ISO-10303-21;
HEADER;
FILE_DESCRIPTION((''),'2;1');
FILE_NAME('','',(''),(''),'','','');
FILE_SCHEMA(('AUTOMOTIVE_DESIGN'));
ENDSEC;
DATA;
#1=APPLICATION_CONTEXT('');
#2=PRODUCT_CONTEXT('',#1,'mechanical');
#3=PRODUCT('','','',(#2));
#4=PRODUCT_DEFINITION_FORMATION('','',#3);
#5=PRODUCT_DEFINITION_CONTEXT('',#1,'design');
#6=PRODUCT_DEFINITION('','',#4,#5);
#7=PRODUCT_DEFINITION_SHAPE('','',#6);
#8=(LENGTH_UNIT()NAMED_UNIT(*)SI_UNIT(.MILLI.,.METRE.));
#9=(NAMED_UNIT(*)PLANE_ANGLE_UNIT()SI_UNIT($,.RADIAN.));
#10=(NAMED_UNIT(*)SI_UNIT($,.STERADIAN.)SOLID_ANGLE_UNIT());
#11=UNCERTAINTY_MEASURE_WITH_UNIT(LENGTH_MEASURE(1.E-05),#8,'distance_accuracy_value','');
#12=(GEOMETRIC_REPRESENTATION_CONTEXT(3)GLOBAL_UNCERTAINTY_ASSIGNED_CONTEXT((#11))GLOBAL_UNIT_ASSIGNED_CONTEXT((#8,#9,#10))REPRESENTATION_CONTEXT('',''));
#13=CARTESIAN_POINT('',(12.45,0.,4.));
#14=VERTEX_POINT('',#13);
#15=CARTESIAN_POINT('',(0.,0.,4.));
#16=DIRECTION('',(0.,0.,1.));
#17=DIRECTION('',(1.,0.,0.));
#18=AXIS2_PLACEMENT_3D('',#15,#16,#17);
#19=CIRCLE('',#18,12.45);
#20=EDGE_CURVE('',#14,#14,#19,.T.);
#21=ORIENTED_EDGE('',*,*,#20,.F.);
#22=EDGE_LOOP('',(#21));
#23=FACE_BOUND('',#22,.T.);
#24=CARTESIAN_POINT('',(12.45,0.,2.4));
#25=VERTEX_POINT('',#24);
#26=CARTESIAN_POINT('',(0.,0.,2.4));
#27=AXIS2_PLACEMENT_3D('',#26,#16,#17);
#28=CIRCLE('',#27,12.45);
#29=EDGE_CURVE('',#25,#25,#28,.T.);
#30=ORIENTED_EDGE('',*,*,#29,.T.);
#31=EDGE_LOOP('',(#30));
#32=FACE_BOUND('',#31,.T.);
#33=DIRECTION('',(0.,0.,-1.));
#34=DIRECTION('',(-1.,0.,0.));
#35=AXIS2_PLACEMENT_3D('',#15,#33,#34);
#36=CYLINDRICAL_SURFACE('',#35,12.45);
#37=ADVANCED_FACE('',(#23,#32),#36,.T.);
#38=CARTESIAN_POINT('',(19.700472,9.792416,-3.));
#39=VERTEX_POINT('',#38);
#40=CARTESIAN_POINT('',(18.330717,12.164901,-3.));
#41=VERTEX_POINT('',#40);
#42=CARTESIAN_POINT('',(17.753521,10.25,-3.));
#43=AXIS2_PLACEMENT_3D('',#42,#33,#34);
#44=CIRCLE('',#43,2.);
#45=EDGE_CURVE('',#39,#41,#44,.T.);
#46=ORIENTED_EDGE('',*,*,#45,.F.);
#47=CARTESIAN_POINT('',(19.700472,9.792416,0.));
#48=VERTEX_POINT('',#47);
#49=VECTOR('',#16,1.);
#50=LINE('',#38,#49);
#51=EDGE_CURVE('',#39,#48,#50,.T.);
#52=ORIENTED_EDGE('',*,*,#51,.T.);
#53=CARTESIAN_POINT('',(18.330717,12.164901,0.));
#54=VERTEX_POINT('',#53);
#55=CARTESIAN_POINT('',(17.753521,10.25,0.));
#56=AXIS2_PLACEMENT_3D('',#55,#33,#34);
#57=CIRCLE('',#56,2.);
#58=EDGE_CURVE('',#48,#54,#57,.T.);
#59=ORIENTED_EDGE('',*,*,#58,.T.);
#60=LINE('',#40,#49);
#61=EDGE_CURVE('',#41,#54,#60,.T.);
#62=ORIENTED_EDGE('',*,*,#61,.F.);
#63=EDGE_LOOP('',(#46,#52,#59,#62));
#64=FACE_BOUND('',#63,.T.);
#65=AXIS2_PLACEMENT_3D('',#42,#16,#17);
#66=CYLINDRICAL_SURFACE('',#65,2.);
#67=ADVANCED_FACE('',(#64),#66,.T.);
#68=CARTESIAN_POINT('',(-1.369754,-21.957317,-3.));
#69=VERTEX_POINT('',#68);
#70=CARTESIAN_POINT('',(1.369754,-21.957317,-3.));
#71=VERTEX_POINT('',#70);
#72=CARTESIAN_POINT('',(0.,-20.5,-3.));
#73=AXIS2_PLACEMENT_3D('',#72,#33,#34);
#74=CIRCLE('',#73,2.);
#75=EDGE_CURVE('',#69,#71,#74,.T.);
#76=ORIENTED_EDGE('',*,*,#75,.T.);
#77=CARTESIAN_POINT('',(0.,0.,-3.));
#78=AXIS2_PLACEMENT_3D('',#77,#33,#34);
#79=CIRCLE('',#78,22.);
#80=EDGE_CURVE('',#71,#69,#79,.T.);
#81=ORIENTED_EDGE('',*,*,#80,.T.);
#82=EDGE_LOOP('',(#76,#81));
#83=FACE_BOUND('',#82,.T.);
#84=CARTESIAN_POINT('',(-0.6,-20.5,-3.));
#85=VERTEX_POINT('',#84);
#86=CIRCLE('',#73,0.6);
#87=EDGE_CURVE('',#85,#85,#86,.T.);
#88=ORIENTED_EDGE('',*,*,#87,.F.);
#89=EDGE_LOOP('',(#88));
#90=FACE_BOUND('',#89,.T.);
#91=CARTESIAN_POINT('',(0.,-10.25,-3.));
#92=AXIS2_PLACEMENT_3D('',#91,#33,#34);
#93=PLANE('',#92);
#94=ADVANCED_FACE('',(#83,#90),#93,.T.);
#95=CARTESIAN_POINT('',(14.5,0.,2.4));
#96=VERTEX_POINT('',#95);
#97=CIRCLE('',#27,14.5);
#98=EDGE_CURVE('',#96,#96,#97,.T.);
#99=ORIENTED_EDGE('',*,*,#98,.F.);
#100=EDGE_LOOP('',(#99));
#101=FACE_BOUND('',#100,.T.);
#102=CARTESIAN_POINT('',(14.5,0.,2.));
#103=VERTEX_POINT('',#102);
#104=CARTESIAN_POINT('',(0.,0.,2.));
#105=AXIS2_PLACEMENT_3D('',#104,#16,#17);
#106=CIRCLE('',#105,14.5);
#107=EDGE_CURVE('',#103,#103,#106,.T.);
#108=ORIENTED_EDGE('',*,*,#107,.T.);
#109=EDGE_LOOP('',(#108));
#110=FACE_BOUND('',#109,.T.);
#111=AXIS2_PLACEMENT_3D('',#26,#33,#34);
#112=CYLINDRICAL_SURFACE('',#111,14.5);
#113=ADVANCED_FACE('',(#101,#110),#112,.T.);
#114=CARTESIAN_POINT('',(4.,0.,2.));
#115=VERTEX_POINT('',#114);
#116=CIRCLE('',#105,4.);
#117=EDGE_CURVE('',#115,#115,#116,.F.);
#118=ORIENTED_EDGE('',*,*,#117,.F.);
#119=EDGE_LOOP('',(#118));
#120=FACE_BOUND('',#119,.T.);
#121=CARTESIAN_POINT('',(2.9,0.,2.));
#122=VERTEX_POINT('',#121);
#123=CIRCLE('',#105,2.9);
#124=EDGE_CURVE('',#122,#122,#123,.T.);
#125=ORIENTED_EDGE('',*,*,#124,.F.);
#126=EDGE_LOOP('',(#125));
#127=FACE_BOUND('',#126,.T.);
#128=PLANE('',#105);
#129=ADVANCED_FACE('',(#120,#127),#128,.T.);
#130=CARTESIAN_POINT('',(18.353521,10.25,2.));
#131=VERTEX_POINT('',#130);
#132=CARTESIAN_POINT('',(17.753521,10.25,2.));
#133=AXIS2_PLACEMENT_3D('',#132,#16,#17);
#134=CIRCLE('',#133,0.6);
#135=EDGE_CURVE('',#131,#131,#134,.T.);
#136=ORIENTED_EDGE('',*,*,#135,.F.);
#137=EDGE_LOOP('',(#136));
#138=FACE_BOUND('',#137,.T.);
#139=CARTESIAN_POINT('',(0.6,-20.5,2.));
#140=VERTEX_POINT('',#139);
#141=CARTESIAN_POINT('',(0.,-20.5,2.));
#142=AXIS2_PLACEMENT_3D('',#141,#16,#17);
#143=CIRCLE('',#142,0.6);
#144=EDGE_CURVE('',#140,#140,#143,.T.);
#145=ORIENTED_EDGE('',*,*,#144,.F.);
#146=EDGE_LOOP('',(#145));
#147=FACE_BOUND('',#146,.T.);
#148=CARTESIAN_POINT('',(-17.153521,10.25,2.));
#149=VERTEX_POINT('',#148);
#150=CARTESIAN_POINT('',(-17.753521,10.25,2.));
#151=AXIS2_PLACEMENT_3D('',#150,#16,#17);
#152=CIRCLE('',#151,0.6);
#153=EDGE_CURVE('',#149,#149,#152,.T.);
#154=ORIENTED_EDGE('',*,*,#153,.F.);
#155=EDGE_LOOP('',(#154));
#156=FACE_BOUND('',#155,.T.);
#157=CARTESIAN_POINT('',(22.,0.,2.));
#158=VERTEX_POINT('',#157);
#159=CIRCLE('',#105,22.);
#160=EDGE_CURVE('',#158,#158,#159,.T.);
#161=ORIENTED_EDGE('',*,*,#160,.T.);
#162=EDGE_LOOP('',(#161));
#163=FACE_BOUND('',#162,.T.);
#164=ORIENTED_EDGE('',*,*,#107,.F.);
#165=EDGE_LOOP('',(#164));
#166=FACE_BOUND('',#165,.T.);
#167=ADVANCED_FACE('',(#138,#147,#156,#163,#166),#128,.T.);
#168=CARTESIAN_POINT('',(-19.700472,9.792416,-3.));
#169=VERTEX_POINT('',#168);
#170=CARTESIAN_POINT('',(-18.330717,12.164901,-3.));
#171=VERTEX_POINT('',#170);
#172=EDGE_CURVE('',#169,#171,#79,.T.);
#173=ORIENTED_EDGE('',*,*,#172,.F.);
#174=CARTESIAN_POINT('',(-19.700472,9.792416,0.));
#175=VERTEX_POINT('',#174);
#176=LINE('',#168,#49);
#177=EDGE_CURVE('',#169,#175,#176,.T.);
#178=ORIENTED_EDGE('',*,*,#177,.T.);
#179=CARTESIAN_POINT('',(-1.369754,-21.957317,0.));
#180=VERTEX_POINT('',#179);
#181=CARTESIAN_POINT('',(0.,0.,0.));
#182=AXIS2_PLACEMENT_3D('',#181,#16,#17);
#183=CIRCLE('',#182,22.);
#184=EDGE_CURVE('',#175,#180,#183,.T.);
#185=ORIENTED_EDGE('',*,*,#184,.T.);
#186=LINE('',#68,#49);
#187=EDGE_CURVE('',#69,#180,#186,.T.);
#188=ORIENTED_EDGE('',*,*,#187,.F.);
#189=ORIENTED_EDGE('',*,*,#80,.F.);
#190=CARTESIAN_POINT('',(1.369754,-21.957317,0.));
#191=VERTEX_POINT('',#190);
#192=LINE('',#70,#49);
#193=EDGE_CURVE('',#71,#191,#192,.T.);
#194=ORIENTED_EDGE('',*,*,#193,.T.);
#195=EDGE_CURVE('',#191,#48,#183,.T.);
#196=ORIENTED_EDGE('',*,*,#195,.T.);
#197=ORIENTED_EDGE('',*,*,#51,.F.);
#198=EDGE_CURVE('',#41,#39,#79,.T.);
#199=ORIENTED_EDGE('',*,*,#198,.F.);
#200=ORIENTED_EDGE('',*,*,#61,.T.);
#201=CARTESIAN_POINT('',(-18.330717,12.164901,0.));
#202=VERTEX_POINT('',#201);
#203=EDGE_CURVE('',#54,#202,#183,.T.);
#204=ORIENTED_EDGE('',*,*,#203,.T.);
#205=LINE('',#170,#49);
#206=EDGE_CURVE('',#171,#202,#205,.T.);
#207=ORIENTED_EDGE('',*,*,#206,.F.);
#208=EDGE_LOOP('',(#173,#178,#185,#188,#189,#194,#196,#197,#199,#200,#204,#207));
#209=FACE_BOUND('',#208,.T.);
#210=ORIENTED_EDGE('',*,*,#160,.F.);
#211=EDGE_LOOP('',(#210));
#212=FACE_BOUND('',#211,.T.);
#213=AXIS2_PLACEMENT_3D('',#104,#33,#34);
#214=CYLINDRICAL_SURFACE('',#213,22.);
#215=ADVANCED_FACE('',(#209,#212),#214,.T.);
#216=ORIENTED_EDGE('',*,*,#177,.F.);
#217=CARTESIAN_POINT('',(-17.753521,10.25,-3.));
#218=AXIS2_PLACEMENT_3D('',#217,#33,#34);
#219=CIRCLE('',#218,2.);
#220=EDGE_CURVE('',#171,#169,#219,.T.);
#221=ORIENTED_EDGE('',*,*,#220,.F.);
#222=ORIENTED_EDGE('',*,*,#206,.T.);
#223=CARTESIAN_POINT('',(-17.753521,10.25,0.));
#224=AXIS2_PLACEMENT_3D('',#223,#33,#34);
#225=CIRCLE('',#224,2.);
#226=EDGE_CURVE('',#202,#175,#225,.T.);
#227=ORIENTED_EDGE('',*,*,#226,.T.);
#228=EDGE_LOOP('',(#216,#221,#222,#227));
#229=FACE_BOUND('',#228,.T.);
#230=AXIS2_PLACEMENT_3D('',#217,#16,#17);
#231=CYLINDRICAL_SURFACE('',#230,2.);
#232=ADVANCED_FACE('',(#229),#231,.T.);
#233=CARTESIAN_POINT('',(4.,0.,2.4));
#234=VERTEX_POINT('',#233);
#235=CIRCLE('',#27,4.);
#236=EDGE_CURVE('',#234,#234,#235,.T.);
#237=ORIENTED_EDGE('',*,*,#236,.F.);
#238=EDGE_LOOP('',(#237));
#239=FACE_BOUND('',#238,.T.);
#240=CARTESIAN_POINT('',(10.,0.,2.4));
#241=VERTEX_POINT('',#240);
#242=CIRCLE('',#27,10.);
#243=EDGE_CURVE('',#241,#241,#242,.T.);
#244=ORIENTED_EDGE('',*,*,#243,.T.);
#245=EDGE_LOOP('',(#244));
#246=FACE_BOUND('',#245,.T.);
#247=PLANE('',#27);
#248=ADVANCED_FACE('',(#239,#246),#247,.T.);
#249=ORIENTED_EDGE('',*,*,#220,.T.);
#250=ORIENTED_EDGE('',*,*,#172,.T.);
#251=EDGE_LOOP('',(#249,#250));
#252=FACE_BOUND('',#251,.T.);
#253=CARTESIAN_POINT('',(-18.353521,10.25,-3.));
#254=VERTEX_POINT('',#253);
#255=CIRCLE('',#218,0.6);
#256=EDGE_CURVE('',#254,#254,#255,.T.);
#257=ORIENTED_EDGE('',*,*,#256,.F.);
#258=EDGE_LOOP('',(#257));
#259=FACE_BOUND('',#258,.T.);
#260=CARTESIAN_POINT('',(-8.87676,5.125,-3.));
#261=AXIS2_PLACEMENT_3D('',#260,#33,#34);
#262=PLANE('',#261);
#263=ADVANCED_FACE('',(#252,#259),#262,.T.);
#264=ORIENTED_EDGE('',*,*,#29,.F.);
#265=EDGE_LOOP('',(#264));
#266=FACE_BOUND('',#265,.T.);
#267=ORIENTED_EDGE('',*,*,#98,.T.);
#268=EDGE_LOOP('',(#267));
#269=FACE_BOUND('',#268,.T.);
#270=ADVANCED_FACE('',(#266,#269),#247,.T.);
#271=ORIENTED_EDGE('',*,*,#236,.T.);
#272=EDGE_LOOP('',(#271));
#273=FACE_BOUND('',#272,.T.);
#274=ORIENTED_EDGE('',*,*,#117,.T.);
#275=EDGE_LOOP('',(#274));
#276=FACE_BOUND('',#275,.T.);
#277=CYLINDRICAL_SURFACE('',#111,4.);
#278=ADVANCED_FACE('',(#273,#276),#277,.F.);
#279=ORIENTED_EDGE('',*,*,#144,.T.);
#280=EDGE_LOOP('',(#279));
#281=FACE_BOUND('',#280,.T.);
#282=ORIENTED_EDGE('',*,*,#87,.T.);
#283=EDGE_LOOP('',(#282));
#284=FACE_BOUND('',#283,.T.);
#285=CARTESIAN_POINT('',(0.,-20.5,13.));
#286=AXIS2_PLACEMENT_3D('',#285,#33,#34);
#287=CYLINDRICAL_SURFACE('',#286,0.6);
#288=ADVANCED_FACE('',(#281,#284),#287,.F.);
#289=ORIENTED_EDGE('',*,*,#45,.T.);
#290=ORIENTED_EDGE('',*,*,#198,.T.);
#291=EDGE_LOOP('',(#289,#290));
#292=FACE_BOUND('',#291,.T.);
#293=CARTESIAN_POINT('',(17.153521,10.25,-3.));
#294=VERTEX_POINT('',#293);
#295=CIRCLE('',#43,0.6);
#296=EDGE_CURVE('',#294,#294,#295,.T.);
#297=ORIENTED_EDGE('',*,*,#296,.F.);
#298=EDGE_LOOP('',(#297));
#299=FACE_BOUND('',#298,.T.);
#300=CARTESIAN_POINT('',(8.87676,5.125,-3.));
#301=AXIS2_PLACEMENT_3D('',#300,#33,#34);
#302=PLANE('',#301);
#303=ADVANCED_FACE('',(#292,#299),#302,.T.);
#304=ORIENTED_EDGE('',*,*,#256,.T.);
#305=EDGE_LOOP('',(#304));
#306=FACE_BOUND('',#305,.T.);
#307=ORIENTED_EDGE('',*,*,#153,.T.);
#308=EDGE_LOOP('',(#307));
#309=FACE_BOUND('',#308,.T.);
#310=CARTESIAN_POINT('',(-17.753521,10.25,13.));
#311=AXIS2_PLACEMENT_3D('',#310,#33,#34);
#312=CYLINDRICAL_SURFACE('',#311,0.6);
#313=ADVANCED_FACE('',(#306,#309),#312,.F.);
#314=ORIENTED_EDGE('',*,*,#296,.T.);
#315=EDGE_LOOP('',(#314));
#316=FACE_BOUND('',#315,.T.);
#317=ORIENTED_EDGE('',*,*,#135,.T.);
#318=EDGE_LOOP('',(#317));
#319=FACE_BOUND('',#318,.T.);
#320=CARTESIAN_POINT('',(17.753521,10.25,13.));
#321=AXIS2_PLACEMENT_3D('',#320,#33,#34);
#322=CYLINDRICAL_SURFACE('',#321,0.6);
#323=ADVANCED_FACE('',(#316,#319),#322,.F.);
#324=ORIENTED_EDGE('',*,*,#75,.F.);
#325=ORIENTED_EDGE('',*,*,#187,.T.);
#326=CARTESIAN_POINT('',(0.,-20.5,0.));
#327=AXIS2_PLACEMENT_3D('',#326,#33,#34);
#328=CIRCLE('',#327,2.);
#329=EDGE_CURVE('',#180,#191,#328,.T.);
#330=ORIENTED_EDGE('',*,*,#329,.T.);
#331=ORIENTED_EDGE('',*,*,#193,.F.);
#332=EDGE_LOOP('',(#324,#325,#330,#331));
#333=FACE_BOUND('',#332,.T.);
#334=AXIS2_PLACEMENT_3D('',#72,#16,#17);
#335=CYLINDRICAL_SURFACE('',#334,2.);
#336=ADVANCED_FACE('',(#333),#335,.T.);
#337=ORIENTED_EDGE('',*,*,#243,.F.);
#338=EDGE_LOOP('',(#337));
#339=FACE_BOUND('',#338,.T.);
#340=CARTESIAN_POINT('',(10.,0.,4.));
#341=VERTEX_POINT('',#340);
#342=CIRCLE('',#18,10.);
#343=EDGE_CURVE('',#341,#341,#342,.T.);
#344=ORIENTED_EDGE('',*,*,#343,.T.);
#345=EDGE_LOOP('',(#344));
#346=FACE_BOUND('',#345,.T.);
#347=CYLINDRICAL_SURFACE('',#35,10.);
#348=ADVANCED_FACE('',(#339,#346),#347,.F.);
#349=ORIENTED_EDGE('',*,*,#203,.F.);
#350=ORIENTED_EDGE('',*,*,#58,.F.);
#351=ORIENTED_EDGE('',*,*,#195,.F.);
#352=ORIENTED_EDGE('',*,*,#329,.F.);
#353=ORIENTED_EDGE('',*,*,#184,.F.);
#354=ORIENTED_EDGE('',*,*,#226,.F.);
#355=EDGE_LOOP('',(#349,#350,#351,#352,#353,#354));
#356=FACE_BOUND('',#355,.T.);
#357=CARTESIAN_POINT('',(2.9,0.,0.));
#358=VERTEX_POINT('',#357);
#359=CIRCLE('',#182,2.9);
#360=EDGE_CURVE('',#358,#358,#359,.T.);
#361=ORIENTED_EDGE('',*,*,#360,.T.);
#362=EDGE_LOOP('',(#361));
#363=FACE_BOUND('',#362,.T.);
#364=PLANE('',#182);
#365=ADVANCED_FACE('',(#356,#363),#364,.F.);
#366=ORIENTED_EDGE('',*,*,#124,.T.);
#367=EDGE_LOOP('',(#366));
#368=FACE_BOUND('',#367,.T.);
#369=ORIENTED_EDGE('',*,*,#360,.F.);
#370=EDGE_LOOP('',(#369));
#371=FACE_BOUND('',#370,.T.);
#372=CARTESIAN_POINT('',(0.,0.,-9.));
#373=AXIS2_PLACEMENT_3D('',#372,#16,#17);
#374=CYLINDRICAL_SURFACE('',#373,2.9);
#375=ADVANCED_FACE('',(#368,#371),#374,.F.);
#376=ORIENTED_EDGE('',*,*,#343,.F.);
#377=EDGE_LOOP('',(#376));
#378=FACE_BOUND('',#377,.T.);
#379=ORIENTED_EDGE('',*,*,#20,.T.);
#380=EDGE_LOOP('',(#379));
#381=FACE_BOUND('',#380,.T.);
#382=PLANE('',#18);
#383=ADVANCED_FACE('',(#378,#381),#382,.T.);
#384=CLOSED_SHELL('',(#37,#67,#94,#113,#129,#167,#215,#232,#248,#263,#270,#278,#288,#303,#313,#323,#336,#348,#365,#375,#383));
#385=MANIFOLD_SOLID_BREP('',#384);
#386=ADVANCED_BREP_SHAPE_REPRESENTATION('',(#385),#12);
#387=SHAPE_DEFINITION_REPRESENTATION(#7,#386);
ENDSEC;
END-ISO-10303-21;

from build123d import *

# Parameters (mm, degrees)
SKETCH_1_R          = 22
EXTRUDE_1_DEPTH     = 2
SKETCH_2_R          = 12.45
SKETCH_2_R_2        = 10
EXTRUDE_2_DEPTH     = 2
SKETCH_3_R          = 2.9
CUT_EXTRUDE_1_DEPTH = 11
EXTRUDE_3_DEPTH     = 3
SKETCH_5_R          = 0.6
CUT_EXTRUDE_2_DEPTH = 16
SKETCH_6_R          = 14.5
SKETCH_6_R_2        = 4
EXTRUDE_4_DEPTH     = 0.4


with BuildPart() as part:
    # 草图1 → 凸台-拉伸1 (new body)
    with BuildSketch(Plane.XY):
        Circle(SKETCH_1_R)
    extrude(amount=EXTRUDE_1_DEPTH)

    # 草图2 → 凸台-拉伸2 (add)
    with BuildSketch(Plane.XY.offset(2)):
        Circle(SKETCH_2_R)
        Circle(SKETCH_2_R_2, mode=Mode.SUBTRACT)
    extrude(amount=EXTRUDE_2_DEPTH)

    # 草图3 → 切除-拉伸1 (cut)
    with BuildSketch(Plane.XY.offset(2)):
        Circle(SKETCH_3_R)
    extrude(amount=-CUT_EXTRUDE_1_DEPTH, mode=Mode.SUBTRACT)

    # 草图4 → 凸台-拉伸3 (add)
    with BuildSketch(Plane(origin=(0, 0, 0), x_dir=(-1, 0, 0), z_dir=(0, 0, -1))):
        with BuildLine():
            ThreePointArc((1.369754339, -21.957317073), (0, -18.5), (-1.369754339, -21.957317073))
            ThreePointArc((-1.369754339, -21.957317073), (0, -22), (1.369754339, -21.957317073))
        make_face()
        with BuildLine():
            ThreePointArc((-19.700471554, 9.792416482), (-16.02146997, 9.25), (-18.330717215, 12.164900591))
            ThreePointArc((-18.330717215, 12.164900591), (-19.052558883, 11), (-19.700471554, 9.792416482))
        make_face()
        with BuildLine():
            ThreePointArc((18.330717215, 12.164900591), (16.02146997, 9.25), (19.700471554, 9.792416482))
            ThreePointArc((19.700471554, 9.792416482), (19.052558883, 11), (18.330717215, 12.164900591))
        make_face()
    extrude(amount=EXTRUDE_3_DEPTH)

    # 草图5 → 切除-拉伸2 (cut)
    with BuildSketch(Plane(origin=(0, 0, -3), x_dir=(-1, 0, 0), z_dir=(0, 0, -1))):
        with Locations((0, -20.5)):
            Circle(SKETCH_5_R)
        with Locations((-17.753520778, 10.25)):
            Circle(SKETCH_5_R)
        with Locations((17.753520778, 10.25)):
            Circle(SKETCH_5_R)
    extrude(amount=-CUT_EXTRUDE_2_DEPTH, mode=Mode.SUBTRACT)

    # 草图6 → 凸台-拉伸4 (add)
    with BuildSketch(Plane.XY.offset(2)):
        Circle(SKETCH_6_R)
        Circle(SKETCH_6_R_2, mode=Mode.SUBTRACT)
    extrude(amount=EXTRUDE_4_DEPTH)


solid = part.part
